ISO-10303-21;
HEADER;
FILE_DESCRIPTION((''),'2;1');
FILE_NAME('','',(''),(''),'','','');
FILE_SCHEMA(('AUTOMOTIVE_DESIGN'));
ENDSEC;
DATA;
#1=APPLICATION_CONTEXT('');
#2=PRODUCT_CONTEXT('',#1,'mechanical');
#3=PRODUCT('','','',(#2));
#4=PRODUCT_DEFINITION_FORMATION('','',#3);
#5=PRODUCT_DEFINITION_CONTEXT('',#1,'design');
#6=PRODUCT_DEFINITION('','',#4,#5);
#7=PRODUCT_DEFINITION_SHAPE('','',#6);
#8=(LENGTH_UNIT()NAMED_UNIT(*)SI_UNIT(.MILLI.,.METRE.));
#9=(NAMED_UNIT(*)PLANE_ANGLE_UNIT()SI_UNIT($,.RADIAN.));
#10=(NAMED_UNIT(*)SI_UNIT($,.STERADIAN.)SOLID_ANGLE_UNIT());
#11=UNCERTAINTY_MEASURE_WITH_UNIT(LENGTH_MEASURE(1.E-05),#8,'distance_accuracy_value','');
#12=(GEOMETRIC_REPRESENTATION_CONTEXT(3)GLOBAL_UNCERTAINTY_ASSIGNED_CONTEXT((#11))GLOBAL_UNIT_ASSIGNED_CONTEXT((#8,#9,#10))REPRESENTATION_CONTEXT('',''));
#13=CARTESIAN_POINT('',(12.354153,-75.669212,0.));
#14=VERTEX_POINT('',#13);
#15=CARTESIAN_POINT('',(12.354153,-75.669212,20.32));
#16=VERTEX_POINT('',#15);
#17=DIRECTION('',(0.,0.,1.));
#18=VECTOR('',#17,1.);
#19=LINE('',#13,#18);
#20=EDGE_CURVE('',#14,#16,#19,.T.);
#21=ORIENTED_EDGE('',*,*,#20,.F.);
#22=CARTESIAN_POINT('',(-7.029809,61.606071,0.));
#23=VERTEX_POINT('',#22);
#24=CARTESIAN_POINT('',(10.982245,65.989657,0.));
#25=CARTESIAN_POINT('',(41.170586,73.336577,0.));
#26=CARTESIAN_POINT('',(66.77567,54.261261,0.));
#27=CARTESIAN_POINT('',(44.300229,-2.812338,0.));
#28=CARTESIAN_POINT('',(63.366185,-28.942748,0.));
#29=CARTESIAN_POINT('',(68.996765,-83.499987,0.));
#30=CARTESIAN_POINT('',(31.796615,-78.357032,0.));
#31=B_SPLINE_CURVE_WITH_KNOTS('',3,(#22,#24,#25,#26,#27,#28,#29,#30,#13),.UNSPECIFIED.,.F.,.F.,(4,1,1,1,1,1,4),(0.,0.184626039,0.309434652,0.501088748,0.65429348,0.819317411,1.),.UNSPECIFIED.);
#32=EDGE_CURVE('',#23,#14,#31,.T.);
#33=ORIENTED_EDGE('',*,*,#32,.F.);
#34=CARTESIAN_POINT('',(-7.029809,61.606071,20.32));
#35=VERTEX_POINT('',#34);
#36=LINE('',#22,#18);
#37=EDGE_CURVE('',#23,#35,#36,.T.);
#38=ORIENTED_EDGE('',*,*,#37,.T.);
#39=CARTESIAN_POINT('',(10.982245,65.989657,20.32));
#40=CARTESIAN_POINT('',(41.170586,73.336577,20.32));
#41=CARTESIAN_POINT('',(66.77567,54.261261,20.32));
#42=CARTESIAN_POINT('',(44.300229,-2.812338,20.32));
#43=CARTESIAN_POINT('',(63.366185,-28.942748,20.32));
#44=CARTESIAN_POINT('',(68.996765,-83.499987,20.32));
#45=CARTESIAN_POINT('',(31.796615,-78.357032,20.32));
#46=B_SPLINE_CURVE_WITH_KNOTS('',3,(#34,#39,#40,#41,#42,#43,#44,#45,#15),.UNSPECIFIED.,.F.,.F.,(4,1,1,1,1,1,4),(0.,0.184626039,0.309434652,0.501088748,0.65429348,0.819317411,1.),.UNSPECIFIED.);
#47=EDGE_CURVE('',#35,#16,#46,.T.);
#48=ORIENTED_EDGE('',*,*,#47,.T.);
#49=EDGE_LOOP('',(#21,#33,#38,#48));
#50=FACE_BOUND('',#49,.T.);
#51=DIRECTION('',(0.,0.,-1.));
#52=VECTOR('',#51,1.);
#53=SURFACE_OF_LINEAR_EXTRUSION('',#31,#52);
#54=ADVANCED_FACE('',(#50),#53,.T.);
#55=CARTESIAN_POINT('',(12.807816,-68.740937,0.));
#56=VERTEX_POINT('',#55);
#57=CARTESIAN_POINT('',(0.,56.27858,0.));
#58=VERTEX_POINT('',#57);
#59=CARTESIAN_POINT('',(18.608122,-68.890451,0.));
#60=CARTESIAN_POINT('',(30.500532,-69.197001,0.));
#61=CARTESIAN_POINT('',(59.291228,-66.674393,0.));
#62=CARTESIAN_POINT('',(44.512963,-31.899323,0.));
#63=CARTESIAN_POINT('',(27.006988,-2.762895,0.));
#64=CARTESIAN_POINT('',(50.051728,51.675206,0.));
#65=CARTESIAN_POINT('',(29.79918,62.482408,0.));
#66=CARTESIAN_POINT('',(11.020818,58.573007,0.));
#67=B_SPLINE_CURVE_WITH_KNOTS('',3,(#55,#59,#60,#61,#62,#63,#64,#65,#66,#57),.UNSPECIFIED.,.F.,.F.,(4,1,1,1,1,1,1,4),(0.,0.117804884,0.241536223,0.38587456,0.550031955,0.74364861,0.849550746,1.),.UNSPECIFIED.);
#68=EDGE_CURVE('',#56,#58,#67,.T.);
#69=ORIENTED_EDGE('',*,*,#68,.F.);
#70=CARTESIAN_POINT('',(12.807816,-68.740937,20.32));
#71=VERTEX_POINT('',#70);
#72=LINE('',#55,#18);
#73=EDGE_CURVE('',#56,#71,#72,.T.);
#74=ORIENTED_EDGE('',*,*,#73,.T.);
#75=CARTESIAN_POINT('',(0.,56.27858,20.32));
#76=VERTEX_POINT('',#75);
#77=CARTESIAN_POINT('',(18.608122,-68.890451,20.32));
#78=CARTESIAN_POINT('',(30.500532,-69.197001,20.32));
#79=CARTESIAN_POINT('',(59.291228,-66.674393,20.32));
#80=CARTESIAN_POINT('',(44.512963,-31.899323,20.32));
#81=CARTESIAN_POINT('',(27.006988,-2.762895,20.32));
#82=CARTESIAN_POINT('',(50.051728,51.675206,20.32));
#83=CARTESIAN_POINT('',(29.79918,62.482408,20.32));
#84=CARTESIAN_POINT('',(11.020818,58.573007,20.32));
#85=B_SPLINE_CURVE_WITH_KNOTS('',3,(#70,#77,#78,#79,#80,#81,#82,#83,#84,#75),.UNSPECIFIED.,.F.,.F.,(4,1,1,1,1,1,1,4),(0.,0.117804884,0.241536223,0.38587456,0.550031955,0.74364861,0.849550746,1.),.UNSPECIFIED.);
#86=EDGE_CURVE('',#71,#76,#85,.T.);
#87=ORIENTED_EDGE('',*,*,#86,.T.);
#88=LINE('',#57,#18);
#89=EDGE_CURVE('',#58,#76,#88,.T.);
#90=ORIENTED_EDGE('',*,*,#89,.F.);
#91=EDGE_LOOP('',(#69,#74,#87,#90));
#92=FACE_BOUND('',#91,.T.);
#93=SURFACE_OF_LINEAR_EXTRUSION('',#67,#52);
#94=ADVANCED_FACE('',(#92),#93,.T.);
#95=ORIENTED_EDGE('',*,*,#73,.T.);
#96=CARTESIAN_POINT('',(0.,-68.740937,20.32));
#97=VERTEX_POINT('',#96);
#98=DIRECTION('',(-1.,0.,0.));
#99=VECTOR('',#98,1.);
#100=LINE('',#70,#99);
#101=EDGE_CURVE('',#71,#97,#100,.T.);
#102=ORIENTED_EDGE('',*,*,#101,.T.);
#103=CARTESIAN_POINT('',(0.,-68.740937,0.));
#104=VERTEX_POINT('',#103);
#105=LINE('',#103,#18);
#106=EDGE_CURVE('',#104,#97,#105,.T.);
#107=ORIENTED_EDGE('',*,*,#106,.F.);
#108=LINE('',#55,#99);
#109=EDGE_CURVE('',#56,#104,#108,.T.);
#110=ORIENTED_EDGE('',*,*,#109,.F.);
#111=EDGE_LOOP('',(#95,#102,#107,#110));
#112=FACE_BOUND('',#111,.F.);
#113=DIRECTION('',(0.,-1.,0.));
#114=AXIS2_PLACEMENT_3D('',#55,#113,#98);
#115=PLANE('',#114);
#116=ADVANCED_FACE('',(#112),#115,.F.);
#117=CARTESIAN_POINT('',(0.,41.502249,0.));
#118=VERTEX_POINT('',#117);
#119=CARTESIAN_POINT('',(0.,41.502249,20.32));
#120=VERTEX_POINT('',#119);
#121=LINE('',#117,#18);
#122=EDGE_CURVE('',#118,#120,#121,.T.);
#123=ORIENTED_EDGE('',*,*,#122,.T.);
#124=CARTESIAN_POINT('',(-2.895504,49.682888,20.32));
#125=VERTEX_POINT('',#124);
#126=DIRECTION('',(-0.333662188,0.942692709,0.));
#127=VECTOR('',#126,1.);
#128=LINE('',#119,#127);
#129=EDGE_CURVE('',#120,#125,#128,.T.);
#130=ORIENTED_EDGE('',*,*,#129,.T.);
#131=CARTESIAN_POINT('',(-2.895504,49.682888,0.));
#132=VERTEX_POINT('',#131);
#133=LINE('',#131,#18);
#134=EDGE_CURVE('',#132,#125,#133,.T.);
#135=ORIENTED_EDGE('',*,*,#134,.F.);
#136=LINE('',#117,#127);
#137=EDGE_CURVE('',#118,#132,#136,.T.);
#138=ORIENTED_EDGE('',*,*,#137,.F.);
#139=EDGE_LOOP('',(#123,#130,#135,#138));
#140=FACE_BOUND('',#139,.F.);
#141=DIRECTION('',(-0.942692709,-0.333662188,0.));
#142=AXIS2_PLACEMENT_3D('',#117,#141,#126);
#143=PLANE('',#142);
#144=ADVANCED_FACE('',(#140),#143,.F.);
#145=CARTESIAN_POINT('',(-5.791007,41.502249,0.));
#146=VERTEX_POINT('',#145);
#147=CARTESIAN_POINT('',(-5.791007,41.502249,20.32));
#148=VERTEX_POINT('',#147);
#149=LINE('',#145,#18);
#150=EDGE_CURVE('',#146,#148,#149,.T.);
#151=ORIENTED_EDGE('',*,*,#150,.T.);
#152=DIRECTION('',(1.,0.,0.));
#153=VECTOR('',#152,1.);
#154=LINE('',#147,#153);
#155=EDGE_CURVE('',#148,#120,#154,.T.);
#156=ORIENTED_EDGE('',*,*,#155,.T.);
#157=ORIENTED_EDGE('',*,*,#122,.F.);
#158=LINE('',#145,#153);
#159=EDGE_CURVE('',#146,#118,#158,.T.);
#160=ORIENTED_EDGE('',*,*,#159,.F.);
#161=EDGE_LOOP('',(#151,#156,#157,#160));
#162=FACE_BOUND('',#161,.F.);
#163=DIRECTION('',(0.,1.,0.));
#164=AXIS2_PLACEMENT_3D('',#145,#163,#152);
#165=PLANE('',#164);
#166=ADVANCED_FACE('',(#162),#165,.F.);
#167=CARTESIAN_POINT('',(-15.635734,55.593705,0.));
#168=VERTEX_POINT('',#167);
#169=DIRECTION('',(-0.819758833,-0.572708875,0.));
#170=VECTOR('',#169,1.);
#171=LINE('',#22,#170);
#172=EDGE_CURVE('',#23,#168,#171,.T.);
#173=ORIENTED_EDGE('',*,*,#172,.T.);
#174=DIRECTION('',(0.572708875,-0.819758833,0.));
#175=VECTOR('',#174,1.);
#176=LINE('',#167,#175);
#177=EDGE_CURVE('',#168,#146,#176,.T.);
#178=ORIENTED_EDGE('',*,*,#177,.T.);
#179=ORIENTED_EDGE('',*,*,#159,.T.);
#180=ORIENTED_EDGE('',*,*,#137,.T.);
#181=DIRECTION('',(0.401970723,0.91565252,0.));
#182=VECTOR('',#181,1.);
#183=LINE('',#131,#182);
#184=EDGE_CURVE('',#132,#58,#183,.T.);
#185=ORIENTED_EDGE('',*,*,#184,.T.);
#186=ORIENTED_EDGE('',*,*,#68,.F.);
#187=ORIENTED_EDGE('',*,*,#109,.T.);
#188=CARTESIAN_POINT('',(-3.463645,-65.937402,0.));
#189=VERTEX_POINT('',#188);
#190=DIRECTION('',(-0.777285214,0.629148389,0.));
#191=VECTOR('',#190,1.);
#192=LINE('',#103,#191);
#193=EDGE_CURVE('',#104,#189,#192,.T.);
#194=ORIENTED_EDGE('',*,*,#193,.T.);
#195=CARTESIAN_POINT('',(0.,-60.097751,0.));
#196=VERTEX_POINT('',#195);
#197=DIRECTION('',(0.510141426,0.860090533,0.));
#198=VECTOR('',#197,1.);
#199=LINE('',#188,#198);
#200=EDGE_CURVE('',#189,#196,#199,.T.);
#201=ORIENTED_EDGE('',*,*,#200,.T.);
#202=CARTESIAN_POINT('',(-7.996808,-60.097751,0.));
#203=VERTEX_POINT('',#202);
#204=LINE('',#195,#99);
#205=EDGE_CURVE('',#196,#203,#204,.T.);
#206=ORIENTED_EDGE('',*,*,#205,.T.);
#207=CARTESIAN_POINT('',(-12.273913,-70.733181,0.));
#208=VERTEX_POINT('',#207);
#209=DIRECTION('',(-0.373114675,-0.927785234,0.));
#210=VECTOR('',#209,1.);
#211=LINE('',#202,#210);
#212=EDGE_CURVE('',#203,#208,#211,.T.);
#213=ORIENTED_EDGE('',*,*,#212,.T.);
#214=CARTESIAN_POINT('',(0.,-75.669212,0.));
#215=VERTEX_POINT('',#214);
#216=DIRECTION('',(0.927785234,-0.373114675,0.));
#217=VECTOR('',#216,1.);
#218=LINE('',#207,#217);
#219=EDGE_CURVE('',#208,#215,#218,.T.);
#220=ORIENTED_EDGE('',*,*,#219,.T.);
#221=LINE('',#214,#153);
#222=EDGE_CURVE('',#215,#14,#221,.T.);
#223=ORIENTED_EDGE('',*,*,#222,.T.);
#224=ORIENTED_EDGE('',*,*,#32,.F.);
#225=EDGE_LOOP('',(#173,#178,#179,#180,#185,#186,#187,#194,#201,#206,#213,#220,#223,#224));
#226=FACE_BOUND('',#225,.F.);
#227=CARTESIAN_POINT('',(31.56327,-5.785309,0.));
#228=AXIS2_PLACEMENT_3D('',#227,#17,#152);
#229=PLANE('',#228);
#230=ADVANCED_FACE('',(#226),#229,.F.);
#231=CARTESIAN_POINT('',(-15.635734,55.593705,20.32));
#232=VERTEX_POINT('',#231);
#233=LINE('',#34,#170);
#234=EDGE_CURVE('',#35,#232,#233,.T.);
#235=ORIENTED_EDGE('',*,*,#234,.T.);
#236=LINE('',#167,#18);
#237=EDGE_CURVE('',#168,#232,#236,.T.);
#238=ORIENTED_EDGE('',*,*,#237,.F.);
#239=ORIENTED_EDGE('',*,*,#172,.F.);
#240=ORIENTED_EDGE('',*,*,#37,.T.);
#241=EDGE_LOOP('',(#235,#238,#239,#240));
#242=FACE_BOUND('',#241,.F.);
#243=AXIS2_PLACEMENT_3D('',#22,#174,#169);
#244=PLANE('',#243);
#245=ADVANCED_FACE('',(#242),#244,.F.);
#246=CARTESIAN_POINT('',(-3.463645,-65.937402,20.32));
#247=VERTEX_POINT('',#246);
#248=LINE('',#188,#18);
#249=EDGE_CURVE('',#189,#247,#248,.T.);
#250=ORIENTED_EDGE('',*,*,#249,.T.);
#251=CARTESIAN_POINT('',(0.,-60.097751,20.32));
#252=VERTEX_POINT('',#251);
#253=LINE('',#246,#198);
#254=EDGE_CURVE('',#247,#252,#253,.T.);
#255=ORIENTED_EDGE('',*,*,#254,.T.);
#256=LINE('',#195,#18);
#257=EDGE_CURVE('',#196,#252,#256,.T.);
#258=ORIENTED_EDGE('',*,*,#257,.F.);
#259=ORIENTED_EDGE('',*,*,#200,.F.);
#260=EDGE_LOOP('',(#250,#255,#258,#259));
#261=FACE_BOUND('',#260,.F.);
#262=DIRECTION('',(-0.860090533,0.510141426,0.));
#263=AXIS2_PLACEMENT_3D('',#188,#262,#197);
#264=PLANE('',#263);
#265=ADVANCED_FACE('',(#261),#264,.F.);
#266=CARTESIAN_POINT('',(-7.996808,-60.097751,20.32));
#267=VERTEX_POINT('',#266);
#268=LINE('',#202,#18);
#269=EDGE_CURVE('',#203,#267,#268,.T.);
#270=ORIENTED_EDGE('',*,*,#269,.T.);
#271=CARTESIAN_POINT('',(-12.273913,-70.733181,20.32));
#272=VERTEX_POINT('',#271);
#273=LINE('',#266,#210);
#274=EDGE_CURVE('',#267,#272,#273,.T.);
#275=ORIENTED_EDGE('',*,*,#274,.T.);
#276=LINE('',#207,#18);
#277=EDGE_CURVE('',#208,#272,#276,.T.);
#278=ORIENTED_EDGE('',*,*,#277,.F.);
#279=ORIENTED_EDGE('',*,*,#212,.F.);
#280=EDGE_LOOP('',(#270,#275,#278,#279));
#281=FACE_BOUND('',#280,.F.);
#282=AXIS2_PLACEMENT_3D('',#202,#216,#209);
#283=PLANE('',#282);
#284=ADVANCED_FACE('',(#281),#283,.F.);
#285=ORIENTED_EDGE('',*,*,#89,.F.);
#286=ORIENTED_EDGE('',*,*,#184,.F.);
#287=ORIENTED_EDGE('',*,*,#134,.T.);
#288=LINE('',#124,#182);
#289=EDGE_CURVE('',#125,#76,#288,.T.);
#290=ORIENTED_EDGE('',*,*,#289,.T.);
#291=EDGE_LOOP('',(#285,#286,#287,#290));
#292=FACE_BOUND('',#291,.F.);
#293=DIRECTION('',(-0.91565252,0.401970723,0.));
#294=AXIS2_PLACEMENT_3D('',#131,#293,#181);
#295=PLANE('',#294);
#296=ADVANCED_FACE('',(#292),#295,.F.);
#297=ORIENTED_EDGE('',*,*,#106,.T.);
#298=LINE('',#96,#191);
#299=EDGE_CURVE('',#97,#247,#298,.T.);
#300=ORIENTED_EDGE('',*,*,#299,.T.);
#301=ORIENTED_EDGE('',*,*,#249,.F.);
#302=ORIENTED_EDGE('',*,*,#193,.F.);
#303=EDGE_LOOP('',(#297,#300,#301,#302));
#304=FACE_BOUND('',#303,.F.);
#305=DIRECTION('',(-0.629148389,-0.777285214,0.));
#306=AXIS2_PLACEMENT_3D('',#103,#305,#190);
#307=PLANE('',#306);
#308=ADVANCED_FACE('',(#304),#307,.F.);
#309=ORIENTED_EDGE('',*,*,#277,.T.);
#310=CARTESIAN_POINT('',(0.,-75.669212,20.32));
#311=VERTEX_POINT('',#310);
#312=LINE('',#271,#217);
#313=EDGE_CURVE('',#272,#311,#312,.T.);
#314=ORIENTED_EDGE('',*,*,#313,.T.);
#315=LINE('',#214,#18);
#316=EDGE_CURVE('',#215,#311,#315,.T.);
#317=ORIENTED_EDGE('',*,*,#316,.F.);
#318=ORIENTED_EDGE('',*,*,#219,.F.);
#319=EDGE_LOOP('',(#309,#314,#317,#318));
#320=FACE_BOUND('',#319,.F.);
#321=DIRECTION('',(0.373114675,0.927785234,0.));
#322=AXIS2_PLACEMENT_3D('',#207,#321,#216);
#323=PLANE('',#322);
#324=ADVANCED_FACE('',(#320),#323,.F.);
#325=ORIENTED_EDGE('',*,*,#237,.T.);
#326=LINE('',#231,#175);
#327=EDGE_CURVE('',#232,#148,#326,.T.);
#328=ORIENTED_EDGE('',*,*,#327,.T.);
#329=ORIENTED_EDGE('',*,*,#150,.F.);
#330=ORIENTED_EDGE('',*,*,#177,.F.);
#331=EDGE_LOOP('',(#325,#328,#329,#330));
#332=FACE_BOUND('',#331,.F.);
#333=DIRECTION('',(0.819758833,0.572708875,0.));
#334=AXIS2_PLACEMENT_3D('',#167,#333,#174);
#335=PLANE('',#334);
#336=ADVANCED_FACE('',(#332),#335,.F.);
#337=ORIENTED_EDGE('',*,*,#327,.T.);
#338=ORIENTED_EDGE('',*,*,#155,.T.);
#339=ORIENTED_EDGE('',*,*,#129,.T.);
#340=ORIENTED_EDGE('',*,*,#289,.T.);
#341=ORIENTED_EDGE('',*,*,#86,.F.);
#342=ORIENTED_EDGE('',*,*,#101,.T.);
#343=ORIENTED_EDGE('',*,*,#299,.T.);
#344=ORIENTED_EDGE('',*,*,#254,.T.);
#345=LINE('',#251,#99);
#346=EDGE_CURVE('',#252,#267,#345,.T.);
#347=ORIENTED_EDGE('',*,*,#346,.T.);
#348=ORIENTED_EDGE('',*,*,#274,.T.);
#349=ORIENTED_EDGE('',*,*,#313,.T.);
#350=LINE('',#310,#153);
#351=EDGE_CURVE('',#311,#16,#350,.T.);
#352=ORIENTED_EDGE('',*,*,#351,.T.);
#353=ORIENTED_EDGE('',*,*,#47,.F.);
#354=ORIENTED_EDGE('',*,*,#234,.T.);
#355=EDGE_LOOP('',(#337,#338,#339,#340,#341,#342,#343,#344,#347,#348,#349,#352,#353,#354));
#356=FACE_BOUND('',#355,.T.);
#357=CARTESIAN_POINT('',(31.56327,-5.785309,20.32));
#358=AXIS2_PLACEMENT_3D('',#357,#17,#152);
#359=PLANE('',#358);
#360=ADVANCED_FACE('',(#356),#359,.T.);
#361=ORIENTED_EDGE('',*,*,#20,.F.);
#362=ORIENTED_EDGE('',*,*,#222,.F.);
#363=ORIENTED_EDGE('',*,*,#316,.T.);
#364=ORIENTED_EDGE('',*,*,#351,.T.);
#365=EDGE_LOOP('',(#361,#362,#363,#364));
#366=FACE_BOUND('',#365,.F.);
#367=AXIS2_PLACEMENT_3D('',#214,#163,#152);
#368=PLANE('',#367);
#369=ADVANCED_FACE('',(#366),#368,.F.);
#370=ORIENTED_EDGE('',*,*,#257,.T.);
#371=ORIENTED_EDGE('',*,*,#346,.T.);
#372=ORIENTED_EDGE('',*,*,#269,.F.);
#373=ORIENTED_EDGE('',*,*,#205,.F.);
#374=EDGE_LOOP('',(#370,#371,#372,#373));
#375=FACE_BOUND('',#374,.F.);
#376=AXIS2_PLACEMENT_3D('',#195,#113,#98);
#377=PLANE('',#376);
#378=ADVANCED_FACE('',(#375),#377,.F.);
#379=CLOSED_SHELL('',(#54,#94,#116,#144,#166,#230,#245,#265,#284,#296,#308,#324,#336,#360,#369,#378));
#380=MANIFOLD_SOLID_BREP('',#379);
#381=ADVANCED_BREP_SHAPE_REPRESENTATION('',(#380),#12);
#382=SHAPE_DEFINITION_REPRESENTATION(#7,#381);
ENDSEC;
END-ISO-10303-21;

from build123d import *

# Parameters (mm, degrees)
F1_DEPTH = 20.32


with BuildPart() as f1:
    # F0 (on Top) → F1 (new body)
    with BuildSketch(Plane.XY):
        with BuildLine():
            Line((-5.7910070071, 41.5022486223), (0, 41.5022486223))
            Line((0, 41.5022486223), (-2.8955035035, 49.6828880203))
            Line((-2.8955035035, 49.6828880203), (0, 56.2785800104))
            add(Edge.make_bspline(
                [(12.8078160866, -68.7409374452), (18.608122414, -68.8904514883), (30.5005316395, -69.1970012602), (59.2912277286, -66.6743928388), (44.5129631894, -31.8993229359), (27.0069880809, -2.762895485), (50.0517279664, 51.6752064312), (29.7991802812, 62.4824075839), (11.0208183177, 58.5730066325), (0, 56.2785800104)],
                knots=[0, 0, 0, 0, 0.1178048845, 0.2415362231, 0.3858745601, 0.5500319549, 0.7436486097, 0.8495507457, 1, 1, 1, 1], degree=3))
            Line((12.8078160866, -68.7409374452), (0, -68.7409374452))
            Line((0, -68.7409374452), (-3.4636445343, -65.9374023477))
            Line((-3.4636445343, -65.9374023477), (0, -60.0977513777))
            Line((0, -60.0977513777), (-3.6535728, -60.0977513777))
            Line((-3.6535728, -60.0977513777), (-7.9968078761, -60.0977513777))
            Line((-7.9968078761, -60.0977513777), (-12.2739129151, -70.7331810928))
            Line((-12.2739129151, -70.7331810928), (0, -75.6692124694))
            Line((0, -75.6692124694), (12.3541528983, -75.6692124694))
            add(Edge.make_bspline(
                [(-7.0298093784, 61.6060708073), (10.9822453882, 65.9896565956), (41.1705855268, 73.3365771287), (66.7756702049, 54.2612610852), (44.3002287955, -2.812337661), (63.3661847799, -28.9427477198), (68.9967648955, -83.4999868311), (31.7966149106, -78.3570324902), (12.3541528983, -75.6692124694)],
                knots=[0, 0, 0, 0, 0.1846260385, 0.3094346522, 0.5010887482, 0.6542934796, 0.8193174113, 1, 1, 1, 1], degree=3))
            Line((-7.0298093784, 61.6060708073), (-15.6357344997, 55.5937053539))
            Line((-15.6357344997, 55.5937053539), (-5.7910070071, 41.5022486223))
        make_face()
    extrude(amount=F1_DEPTH)


solid = f1.part
